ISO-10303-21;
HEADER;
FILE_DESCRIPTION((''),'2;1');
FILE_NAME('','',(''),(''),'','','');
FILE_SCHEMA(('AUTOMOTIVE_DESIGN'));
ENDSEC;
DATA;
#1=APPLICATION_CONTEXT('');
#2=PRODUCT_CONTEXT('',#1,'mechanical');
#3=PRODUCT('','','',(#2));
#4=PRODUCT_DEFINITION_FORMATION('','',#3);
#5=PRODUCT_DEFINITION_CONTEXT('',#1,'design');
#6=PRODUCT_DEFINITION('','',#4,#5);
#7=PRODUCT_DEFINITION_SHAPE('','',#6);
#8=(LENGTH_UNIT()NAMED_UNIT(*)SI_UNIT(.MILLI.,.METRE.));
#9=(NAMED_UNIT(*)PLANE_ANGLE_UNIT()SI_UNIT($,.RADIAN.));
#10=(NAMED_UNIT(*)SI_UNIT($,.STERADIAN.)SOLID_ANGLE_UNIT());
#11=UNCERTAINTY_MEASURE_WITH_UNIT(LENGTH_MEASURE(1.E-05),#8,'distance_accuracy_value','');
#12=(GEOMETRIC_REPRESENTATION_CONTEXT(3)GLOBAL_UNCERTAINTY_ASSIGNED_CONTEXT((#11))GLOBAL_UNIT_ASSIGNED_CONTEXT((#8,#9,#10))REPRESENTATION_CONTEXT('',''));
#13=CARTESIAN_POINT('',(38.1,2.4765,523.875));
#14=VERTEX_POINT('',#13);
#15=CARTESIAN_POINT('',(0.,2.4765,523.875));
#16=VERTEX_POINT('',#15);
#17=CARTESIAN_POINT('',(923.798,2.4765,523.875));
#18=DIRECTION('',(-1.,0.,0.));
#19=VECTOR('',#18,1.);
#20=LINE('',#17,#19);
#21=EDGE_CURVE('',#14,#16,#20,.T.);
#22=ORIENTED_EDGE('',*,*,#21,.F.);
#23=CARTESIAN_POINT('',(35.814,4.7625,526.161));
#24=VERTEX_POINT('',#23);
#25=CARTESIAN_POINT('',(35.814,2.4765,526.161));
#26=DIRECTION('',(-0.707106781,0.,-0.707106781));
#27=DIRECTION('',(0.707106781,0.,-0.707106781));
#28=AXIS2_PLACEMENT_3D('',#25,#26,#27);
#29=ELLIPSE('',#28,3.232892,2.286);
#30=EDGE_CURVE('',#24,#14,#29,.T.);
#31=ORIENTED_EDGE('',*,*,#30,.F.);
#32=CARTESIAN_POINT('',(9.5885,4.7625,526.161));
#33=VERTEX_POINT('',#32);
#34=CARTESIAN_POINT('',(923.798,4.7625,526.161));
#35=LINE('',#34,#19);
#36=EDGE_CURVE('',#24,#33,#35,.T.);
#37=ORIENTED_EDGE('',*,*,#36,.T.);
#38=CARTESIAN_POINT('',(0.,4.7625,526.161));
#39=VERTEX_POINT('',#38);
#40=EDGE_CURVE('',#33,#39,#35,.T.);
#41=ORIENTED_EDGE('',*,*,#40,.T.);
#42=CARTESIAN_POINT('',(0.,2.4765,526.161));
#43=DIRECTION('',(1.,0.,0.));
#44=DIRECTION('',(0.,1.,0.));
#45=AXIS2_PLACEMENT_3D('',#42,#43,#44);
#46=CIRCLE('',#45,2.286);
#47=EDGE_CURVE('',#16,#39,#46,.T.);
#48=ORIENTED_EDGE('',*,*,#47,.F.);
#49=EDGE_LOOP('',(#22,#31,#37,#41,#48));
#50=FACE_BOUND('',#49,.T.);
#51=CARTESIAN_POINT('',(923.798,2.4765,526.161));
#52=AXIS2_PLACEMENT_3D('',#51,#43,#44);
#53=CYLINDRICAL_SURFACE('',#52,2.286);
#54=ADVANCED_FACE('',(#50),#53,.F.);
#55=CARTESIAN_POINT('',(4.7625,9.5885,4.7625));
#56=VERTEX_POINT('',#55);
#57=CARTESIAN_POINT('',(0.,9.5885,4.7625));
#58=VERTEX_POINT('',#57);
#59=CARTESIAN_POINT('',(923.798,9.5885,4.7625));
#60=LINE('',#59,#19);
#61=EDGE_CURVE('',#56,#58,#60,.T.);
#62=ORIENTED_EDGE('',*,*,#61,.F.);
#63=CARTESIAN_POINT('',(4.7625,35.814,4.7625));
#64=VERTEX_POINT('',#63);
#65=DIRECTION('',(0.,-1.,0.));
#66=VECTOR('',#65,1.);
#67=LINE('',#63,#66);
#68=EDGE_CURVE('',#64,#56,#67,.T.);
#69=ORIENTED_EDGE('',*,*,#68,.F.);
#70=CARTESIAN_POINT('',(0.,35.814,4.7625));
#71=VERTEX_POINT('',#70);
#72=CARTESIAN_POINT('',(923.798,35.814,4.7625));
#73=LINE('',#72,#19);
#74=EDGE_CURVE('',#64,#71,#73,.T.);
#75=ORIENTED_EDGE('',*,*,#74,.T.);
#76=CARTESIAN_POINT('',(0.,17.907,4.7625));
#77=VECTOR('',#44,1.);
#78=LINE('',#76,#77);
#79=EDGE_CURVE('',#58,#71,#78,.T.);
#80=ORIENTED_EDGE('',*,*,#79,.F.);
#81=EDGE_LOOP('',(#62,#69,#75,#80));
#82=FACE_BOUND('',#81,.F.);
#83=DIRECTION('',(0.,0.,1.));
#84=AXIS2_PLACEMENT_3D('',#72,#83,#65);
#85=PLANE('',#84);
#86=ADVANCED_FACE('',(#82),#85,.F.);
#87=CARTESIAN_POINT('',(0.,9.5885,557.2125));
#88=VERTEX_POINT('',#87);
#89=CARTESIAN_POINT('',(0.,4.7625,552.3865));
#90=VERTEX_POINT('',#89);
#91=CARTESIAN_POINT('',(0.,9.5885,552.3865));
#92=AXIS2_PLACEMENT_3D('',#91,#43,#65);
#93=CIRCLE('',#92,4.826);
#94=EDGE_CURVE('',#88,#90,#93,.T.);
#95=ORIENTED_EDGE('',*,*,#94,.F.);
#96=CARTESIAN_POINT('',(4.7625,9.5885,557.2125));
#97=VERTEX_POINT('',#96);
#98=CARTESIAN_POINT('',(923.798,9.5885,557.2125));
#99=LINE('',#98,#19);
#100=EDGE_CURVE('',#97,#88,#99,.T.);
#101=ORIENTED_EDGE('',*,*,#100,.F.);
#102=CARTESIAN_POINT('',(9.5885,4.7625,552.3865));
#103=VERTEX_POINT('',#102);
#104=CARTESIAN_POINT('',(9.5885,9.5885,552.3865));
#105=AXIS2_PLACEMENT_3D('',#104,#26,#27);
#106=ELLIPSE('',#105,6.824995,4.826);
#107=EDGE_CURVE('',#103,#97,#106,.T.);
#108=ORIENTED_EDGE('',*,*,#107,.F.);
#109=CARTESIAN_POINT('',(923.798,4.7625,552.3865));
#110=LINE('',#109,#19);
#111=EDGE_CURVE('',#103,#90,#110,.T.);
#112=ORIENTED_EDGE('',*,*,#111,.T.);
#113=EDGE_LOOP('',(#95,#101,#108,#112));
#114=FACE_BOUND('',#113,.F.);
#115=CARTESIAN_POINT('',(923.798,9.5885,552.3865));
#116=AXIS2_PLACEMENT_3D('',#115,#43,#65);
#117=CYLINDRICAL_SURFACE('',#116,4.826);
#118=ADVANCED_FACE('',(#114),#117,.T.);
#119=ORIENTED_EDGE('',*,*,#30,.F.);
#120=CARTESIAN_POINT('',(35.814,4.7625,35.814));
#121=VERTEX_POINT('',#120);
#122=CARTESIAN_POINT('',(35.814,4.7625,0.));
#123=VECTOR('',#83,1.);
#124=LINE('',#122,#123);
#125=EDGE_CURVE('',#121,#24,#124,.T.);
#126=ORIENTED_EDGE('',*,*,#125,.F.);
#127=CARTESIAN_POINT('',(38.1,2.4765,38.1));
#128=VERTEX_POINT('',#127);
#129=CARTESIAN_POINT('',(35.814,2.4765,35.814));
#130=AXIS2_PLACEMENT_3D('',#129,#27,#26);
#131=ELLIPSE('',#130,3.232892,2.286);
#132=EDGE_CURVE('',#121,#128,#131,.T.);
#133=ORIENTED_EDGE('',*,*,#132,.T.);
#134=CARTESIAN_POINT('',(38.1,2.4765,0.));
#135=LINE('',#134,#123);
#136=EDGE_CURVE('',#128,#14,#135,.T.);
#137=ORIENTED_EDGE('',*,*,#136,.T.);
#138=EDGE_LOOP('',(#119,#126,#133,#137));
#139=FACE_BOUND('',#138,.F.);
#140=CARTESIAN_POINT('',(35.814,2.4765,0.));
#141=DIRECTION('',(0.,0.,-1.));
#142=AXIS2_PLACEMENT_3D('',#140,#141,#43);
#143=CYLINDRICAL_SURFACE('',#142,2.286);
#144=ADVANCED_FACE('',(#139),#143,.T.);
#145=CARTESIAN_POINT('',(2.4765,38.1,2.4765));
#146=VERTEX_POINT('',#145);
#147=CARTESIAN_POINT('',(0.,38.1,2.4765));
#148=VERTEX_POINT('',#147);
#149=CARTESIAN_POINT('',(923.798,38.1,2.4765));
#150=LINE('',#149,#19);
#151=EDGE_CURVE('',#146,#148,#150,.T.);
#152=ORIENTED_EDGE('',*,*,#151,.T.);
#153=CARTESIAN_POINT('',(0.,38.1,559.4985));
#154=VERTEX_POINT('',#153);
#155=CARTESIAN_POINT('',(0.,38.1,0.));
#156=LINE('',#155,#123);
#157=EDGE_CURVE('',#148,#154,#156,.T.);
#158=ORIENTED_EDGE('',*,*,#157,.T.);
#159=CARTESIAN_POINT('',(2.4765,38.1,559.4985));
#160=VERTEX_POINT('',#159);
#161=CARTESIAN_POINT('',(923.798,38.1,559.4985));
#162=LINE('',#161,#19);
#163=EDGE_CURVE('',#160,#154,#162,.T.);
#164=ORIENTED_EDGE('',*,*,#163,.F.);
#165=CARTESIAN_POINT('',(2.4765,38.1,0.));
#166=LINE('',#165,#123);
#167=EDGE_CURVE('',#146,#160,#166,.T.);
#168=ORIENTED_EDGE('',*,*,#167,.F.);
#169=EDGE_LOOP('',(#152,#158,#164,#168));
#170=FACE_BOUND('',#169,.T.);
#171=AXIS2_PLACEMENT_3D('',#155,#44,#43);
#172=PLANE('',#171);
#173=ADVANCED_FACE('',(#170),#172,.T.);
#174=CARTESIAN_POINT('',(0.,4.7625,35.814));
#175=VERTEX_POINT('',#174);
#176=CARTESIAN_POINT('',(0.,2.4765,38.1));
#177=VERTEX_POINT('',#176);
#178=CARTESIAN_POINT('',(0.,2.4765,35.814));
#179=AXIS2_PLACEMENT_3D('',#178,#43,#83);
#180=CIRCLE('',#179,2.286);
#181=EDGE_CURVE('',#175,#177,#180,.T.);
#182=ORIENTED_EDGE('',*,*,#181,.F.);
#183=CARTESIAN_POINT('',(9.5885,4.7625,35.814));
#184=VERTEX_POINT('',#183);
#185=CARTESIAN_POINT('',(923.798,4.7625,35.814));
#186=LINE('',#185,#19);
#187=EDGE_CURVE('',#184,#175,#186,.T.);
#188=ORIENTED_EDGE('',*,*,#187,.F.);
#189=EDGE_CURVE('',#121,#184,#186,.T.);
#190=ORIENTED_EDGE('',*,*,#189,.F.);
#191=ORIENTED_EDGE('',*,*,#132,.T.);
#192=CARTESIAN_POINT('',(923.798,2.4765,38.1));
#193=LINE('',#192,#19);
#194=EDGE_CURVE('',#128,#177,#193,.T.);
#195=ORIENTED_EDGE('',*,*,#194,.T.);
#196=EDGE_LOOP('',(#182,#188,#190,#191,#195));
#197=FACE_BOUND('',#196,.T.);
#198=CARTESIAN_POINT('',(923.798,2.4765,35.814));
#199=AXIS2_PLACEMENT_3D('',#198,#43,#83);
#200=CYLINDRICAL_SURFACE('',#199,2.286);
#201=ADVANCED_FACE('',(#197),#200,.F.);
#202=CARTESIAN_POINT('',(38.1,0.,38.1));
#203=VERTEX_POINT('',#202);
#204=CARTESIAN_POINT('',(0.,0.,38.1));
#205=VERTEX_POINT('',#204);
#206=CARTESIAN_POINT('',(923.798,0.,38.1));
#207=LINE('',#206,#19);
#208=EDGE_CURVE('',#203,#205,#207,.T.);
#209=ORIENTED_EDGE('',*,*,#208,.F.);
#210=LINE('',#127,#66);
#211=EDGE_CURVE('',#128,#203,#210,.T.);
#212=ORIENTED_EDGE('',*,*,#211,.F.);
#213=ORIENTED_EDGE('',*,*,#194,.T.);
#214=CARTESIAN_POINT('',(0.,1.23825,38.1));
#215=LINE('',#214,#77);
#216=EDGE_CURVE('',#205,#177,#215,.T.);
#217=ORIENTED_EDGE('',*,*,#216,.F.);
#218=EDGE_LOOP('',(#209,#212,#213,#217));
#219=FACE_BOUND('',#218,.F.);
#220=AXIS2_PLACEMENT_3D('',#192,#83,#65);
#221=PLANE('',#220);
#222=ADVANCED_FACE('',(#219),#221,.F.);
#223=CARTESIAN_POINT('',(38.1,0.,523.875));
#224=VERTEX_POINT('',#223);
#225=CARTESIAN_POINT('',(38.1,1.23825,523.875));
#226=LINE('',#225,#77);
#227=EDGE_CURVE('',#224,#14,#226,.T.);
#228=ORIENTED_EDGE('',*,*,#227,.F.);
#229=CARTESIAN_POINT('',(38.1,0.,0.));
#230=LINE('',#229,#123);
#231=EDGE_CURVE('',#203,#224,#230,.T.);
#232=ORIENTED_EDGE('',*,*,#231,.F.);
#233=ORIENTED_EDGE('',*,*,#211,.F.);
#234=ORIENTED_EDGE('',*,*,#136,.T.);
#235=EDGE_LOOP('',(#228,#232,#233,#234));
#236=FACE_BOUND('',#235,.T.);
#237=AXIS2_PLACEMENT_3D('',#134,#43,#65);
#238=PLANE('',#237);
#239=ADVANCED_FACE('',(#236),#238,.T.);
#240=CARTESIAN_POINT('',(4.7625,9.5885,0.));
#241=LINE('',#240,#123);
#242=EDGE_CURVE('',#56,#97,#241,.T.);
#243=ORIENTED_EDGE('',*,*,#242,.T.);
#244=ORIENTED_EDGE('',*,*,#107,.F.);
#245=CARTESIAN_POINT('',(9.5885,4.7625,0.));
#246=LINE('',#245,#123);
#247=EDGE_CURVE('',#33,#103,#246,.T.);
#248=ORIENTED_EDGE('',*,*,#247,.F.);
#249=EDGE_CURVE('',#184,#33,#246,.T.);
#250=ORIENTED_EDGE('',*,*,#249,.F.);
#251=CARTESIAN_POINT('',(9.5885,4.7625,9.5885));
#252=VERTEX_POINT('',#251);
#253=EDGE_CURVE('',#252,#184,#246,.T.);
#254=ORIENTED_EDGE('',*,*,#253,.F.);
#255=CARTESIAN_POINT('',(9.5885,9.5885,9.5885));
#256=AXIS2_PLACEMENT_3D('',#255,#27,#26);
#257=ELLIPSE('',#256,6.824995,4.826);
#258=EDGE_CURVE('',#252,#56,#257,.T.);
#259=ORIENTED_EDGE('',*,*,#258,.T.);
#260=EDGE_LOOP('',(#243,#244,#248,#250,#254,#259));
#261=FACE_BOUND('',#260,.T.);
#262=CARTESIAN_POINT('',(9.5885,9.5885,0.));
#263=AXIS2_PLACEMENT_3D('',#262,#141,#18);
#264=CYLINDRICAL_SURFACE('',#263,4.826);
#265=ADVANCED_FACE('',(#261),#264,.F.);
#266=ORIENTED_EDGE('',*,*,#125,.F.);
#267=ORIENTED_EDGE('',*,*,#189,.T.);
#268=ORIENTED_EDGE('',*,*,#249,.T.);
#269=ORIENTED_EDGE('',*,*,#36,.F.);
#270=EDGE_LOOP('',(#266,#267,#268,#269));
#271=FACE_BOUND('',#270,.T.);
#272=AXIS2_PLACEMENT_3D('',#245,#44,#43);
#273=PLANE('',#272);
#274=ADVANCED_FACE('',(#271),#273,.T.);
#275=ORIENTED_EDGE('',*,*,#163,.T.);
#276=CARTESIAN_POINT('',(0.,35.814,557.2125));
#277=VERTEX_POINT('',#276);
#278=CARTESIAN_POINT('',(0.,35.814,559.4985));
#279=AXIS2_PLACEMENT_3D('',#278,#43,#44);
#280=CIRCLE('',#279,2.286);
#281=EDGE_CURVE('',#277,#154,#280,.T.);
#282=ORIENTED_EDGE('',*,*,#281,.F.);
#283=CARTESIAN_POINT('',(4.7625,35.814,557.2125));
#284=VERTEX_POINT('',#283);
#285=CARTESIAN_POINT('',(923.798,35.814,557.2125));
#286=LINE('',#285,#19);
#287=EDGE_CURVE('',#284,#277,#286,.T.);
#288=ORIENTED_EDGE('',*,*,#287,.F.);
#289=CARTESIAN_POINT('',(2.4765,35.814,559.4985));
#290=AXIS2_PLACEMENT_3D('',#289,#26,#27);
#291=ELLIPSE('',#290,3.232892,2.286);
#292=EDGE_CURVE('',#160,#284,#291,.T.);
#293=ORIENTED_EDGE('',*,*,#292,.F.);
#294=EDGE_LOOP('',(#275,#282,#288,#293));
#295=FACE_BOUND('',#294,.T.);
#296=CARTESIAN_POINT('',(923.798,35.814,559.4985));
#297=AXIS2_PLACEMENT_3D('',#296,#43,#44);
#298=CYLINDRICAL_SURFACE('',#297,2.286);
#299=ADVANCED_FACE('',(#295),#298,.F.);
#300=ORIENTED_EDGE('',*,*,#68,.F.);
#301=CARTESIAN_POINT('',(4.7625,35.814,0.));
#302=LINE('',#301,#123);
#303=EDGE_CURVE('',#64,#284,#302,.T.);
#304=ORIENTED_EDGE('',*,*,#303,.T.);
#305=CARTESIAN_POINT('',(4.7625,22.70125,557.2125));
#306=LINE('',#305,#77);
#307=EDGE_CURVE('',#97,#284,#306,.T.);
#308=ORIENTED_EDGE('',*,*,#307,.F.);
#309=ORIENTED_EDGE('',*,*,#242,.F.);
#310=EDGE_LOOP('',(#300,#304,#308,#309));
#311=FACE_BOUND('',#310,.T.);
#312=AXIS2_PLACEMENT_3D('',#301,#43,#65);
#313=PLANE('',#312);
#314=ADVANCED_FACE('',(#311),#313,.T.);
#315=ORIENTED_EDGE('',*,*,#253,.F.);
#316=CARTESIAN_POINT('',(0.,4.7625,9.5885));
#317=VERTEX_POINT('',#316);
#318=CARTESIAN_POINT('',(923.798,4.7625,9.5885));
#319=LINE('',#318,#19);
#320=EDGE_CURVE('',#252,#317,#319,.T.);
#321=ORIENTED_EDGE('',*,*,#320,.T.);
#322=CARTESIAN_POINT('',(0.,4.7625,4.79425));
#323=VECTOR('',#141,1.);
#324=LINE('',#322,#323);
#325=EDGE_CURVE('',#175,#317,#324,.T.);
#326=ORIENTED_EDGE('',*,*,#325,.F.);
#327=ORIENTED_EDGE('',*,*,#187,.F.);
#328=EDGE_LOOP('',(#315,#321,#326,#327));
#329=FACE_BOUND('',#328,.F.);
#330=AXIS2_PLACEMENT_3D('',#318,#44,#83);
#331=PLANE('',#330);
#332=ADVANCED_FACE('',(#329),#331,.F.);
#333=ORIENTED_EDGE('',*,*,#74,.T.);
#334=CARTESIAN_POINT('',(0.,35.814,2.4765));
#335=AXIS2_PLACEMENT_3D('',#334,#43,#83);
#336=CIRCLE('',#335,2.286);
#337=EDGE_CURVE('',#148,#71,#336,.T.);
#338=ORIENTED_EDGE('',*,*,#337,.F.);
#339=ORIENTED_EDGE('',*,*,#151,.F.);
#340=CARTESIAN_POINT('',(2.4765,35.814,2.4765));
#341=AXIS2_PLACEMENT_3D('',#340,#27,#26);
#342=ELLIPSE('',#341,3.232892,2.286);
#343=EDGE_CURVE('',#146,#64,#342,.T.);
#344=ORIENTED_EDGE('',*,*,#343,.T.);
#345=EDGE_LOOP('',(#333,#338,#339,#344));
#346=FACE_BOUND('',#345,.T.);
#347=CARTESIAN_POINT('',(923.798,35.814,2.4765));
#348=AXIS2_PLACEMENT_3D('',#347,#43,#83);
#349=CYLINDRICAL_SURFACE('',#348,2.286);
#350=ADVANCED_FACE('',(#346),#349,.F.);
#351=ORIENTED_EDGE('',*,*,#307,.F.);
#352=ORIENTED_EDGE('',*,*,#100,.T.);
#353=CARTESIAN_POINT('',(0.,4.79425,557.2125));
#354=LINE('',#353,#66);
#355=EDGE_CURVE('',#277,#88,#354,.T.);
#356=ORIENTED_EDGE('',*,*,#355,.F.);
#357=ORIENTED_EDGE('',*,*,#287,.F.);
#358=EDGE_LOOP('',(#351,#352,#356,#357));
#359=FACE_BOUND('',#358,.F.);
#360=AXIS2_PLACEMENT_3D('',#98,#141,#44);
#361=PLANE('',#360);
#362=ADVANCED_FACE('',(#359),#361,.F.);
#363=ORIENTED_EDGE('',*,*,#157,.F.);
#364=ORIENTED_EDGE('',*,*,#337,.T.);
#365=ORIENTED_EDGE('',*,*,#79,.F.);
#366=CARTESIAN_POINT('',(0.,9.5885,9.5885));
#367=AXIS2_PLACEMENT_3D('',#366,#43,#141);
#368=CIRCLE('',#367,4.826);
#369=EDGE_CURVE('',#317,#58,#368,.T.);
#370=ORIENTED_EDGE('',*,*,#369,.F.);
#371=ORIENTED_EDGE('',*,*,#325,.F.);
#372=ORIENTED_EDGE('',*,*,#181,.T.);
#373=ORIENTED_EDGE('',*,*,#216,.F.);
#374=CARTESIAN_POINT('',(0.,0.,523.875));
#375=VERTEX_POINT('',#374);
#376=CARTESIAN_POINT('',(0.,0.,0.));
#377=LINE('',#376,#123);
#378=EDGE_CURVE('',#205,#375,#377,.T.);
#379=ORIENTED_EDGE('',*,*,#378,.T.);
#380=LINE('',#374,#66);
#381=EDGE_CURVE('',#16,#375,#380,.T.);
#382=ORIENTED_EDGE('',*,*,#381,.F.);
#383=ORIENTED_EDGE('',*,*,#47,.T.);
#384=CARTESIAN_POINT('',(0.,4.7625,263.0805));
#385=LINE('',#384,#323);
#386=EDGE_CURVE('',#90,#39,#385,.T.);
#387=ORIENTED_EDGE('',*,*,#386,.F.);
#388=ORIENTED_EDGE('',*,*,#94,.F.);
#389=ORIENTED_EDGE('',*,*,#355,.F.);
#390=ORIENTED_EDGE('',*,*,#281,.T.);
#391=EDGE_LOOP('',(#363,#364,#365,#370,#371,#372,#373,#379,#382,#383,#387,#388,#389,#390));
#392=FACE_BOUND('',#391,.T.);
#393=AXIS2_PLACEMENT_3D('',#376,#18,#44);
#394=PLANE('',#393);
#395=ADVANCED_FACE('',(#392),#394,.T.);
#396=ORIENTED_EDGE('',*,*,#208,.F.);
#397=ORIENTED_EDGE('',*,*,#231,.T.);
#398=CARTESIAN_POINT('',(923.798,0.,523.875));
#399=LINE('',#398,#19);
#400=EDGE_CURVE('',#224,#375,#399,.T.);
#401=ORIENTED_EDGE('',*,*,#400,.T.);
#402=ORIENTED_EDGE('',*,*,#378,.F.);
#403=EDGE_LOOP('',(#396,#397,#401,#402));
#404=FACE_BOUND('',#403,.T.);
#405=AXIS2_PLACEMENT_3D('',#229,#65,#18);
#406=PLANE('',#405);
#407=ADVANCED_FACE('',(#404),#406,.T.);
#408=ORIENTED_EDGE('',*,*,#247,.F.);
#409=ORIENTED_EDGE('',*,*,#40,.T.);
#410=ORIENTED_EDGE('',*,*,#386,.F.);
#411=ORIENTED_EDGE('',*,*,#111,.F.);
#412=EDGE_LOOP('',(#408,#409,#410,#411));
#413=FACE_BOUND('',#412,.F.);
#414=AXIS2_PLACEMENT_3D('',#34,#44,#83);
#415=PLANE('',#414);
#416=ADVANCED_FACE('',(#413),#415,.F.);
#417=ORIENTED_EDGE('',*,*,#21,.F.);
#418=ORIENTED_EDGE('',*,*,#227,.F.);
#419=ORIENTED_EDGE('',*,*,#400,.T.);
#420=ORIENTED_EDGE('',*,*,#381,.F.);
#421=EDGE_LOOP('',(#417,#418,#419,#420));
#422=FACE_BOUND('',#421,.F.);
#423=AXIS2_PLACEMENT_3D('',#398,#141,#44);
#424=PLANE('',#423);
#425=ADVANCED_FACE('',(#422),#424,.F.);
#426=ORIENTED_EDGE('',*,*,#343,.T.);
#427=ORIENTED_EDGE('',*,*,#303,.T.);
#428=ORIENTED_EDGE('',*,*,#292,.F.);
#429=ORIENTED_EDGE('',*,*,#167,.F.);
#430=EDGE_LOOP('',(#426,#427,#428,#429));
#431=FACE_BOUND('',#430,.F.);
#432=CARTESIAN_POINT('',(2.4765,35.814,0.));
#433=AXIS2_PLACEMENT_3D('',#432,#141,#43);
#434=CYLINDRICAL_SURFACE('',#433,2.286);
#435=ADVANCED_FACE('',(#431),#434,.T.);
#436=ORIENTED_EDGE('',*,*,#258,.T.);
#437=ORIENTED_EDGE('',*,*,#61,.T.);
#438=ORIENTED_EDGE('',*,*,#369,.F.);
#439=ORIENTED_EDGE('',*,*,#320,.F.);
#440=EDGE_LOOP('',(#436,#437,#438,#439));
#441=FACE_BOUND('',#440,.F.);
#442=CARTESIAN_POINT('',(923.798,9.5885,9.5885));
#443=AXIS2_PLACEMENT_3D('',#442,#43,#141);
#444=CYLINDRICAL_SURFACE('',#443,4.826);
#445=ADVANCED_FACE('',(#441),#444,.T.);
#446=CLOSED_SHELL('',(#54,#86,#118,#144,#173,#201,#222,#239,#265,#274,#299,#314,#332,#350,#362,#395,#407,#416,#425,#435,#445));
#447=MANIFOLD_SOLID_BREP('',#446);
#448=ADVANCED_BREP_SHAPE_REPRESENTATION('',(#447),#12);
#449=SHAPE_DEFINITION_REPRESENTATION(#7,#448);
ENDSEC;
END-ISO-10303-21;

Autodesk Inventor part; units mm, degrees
ref_plane "Start plane" through (0, 0, 0) normal (0, 0, 1) x (1, 0, 0)
ref_plane "End plane" through (0, 0, 561.975) normal (0, 0, 1) x (1, 0, 0)
sketch "Sketch" plane through (0, 0, 0) normal (0, 0, 1) x (1, 0, 0)
  line L0 (38.1, 0) -> (0, 0)
  line L1 (0, 0) -> (0, 38.1)
  line L2 (0, 38.1) -> (2.4765, 38.1)
  line L3 (4.7625, 35.814) -> (4.7625, 9.5885)
  line L4 (9.5885, 4.7625) -> (35.814, 4.7625)
  line L5 (38.1, 2.4765) -> (38.1, 0)
  line L6 (0, -11.0414) -> (0, 31.5385) construction
  line L7 (-11.0414, 0) -> (31.5385, 0) construction
  arc A0 (4.7625, 9.5885) -> (9.5885, 4.7625) centre (9.5885, 9.5885) ccw
  arc A1 (4.7625, 35.814) -> (2.4765, 38.1) centre (2.4765, 35.814) ccw
  arc A2 (38.1, 2.4765) -> (35.814, 4.7625) centre (35.814, 2.4765) ccw
  line L8 (0, 48.4964) -> (0, -20.9644) construction
  line L9 (-20.9644, 0) -> (48.4964, 0) construction
  point P0 (4.7625, 38.1)
  point P1 (4.7625, 4.7625)
  point P2 (38.1, 4.7625)
  dimension "d0" = 38.1
  dimension "d1" = 38.1
  dimension "d2" = 4.7625
  dimension "d3" = 4.7625
  dimension "d10" = 0
  dimension "d11" = 0
  dimension "d14" = 4.826
  dimension "d15" = 2.286
extrude "Body" add sketch "Sketch" along normal up to surface (561.975 mm away) from surface at 0
sketch "Sketch3" plane through (0, 0, 0) normal (0, 0, 1) x (1, 0, 0)
  line L0 (0, 0) -> (10, 0)
ref_plane "Work Plane3" through (0, 0, 0) normal (0, -1, 0) x (1, 0, 0)
sketch "Sketch4" plane through (0, 0, 0) normal (0, -1, 0) x (1, 0, 0)
  line L0 (-2, 0) -> (12, 0)
  line L1 (-2, 561.975) -> (12, 561.975)
  dimension "d17" = 561.975
ref_plane "Work Plane4" through (923.798, 19.05, 561.975) normal (0.7071, 0, -0.7071) x (0, 1, 0)
ref_plane "Work Plane5" through (-130.302, 19.05, 561.975) normal (-0.7071, 0, -0.7071) x (0, 1, 0)
ref_plane "Work Plane6" through (396.748, 0, 561.975) normal (-1, 0, 0) x (0, 1, 0)
sketch "Sketch5" plane through (396.748, 0, 561.975) normal (-1, 0, 0) x (0, 1, 0)
  line L0 (38.1, 0) -> (0, 0)
  line L1 (0, 0) -> (0, 38.1)
  line L2 (0, 38.1) -> (2.4765, 38.1)
  arc A0 (4.7625, 35.814) -> (2.4765, 38.1) centre (2.4765, 35.814) ccw
  line L3 (4.7625, 35.814) -> (4.7625, 9.5885)
  arc A1 (4.7625, 9.5885) -> (9.5885, 4.7625) centre (9.5885, 9.5885) ccw
  line L4 (9.5885, 4.7625) -> (35.814, 4.7625)
  arc A2 (38.1, 2.4765) -> (35.814, 4.7625) centre (35.814, 2.4765) ccw
  line L5 (38.1, 2.4765) -> (38.1, 0)
extrude "Extrusion2" cut sketch "Sketch5" along normal up to surface from surface at -527.05 surface through (-130.302, 19.05, 561.975) normal (-0.7071, 0, -0.7071)
ref_plane "Work Plane7" through (923.798, 19.05, 0) normal (0.7071, 0, 0.7071) x (0.7071, 0, -0.7071)
ref_plane "Work Plane8" through (-130.302, 19.05, 0) normal (-0.7071, 0, 0.7071) x (0.7071, 0, 0.7071)
ref_plane "Work Plane9" through (396.748, 0, 0) normal (-1, 0, 0) x (0, 0, 1)
sketch "Sketch6" plane through (396.748, 0, 0) normal (-1, 0, 0) x (0, 0, 1)
  line L0 (38.1, 0) -> (0, 0)
  line L1 (0, 0) -> (0, 38.1)
  line L2 (0, 38.1) -> (2.4765, 38.1)
  arc A0 (4.7625, 35.814) -> (2.4765, 38.1) centre (2.4765, 35.814) ccw
  line L3 (4.7625, 35.814) -> (4.7625, 9.5885)
  arc A1 (4.7625, 9.5885) -> (9.5885, 4.7625) centre (9.5885, 9.5885) ccw
  line L4 (9.5885, 4.7625) -> (35.814, 4.7625)
  arc A2 (38.1, 2.4765) -> (35.814, 4.7625) centre (35.814, 2.4765) ccw
  line L5 (38.1, 2.4765) -> (38.1, 0)
extrude "Extrusion3" cut sketch "Sketch6" along normal up to surface from surface at -527.05 surface through (-130.302, 19.05, 0) normal (-0.7071, 0, 0.7071)
equation "\"d0\" = G_H"
equation "\"d1\" = G_H"
equation "\"d2\" = G_T"
equation "\"d3\" = G_T"
equation "\"d14\" = G_IR"
equation "\"d15\" = G_ER"
equation "\"d4\" = G_L"
equation "\"G_H\" = 38.1"
equation "\"G_T\" = 4.7625"
equation "\"G_ER\" = 2.286"
equation "\"G_IR\" = 4.826"
equation "\"G_L\" = d17"
equation "\"ex\" = 0"
equation "\"G_OFFSET_START\" = 0"
equation "\"G_OFFSET_END\" = 0"
equation "\"d13\" = G_OFFSET_END + B_L"
equation "\"B_L\" = 561.975"
properties part number "AISC - L 1.5 x 1.5 x 3/16 - 22.125" material "Aluminum 6061-AHC"
